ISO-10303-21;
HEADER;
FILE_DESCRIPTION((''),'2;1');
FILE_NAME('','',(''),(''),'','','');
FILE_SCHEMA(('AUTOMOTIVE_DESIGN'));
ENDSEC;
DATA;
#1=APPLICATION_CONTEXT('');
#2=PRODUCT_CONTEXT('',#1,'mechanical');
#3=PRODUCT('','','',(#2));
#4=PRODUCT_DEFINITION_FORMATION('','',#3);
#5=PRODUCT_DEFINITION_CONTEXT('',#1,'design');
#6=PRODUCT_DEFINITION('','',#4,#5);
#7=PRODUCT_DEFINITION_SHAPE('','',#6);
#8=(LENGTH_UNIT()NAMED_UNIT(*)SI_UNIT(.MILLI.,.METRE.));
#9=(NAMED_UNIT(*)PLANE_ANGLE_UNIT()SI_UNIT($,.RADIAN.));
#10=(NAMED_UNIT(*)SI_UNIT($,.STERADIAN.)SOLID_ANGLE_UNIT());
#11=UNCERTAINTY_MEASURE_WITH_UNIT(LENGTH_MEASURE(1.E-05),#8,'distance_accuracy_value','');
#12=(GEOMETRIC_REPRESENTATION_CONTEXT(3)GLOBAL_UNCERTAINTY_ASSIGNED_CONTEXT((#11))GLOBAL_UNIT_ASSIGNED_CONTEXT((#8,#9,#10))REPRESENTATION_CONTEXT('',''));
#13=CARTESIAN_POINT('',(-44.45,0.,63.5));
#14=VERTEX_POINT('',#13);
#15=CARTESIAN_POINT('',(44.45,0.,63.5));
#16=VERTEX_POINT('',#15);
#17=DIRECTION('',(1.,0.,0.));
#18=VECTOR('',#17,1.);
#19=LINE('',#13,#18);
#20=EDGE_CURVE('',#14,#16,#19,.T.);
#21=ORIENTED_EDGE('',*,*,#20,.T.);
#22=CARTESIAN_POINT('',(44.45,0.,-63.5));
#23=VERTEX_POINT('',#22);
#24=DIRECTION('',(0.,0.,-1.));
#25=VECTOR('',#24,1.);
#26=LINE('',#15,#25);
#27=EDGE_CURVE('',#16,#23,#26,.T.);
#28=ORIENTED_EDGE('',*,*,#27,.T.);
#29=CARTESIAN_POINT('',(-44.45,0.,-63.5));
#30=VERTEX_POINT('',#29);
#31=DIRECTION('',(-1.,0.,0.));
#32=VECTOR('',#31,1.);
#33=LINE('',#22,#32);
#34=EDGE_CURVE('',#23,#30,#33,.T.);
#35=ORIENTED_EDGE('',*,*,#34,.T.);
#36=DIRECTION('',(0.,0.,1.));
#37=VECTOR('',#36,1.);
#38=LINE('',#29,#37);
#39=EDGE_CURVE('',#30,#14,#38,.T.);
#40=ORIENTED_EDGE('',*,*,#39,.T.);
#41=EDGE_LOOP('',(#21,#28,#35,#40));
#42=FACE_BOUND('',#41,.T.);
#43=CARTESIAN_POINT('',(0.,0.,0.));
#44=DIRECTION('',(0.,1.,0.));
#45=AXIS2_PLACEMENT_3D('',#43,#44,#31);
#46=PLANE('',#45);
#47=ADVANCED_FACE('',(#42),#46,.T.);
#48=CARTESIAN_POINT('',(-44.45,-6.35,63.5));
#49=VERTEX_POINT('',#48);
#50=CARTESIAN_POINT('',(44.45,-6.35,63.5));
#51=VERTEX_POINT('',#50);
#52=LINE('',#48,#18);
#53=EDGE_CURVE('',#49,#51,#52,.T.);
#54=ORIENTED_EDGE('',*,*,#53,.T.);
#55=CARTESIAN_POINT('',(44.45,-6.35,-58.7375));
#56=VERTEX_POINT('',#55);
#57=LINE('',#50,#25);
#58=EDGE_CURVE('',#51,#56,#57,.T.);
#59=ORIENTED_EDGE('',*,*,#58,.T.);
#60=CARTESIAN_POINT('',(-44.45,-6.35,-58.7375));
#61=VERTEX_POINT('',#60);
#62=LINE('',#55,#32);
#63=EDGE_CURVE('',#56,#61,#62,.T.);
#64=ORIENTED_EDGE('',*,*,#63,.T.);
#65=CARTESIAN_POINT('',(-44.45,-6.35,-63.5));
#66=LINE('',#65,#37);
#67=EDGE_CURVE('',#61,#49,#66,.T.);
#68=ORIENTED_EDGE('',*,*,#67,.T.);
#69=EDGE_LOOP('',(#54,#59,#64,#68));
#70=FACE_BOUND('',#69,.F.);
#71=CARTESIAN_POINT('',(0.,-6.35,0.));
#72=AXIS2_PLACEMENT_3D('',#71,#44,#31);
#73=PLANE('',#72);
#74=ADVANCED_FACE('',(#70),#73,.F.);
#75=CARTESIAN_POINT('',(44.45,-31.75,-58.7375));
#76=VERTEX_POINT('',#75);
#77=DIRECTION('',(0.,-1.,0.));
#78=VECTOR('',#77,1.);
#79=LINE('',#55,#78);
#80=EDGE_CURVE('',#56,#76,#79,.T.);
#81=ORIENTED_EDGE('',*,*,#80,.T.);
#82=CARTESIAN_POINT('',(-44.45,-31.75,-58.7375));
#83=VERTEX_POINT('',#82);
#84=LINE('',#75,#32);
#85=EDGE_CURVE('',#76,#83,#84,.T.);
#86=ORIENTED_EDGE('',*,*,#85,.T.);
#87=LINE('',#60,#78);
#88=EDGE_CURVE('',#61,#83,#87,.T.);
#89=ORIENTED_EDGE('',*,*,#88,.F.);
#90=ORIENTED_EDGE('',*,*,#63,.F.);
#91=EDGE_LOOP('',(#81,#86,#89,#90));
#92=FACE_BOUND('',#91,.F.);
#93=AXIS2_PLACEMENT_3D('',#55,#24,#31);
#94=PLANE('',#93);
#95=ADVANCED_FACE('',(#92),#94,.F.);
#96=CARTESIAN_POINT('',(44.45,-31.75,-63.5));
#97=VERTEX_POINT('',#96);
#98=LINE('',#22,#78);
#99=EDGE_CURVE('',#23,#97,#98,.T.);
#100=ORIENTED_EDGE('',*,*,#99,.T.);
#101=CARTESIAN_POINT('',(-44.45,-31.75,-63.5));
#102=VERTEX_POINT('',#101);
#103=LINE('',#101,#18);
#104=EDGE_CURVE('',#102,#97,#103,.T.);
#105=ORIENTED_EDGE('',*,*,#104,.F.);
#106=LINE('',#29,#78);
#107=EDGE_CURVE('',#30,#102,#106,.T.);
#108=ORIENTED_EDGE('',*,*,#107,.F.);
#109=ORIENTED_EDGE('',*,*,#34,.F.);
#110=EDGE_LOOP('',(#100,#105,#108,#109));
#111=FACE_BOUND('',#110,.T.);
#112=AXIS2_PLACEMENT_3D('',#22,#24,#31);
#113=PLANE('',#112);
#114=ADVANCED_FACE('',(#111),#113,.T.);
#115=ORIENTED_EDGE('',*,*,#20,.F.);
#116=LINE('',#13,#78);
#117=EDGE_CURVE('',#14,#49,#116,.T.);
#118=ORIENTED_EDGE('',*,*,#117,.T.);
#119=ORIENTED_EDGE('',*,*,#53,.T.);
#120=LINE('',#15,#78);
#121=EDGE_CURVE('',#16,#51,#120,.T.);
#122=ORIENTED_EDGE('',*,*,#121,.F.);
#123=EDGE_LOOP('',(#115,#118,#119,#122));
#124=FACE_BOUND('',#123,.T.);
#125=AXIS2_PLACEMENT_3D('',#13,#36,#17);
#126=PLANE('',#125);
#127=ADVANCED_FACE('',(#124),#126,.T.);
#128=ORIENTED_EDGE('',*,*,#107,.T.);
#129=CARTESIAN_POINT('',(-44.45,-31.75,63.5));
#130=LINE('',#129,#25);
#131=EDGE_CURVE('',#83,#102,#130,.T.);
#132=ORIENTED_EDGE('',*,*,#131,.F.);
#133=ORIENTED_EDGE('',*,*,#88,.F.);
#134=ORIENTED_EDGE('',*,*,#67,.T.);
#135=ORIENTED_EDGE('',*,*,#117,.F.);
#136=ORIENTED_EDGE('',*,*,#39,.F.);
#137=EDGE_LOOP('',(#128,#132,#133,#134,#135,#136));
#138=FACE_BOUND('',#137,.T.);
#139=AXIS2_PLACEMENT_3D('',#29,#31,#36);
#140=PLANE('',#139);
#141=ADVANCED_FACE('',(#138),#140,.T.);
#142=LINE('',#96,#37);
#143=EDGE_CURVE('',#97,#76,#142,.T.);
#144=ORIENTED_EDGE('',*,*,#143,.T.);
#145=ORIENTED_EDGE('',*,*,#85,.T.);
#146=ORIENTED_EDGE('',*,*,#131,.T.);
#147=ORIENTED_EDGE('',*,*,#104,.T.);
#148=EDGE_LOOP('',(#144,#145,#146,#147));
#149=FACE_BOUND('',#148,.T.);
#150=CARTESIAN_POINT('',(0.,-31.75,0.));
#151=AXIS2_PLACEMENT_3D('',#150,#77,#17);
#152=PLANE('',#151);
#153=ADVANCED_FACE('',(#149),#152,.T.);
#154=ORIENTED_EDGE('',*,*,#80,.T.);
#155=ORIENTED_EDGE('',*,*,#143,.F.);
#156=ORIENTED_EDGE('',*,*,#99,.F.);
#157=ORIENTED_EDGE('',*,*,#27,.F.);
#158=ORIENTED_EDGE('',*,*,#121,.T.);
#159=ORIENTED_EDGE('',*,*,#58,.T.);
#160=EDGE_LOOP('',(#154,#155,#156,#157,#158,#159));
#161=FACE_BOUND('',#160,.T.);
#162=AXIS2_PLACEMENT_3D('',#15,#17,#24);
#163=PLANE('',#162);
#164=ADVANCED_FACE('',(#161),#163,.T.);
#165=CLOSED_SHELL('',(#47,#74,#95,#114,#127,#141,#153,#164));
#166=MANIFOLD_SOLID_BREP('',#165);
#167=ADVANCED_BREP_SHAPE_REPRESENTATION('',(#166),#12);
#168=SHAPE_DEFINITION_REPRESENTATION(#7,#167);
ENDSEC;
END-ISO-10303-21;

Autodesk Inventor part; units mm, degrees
ref_plane "YZ Plane" through (0, 0, 0) normal (1, 0, 0) x (0, 1, 0)
ref_plane "XZ Plane" through (0, 0, 0) normal (0, 1, 0) x (-1, 0, 0)
ref_plane "XY Plane" through (0, 0, 0) normal (0, 0, 1) x (1, 0, 0)
sketch "Sketch2" plane through (0, 0, 0) normal (0, 1, 0) x (-1, 0, 0)
  line L0 (44.45, 63.5) -> (-44.45, 63.5)
  line L1 (-44.45, 63.5) -> (-44.45, -63.5)
  line L2 (-44.45, -63.5) -> (44.45, -63.5)
  line L3 (44.45, -63.5) -> (44.45, 63.5)
  line L4 (44.45, 63.5) -> (-44.45, -63.5) construction
  line L5 (-44.45, 63.5) -> (44.45, -63.5) construction
  point P0 (0, 0)
  dimension "d0" = 127
  dimension "d1" = 88.9
extrude "Extrusion1" add sketch "Sketch2" against normal blind 6.35
sketch "Sketch9" plane through (0, -6.35, 0) normal (0, -1, 0) x (1, 0, 0)
  line L0 (-44.45, 63.5) -> (-44.45, -63.5) projected
  line L1 (44.45, -63.5) -> (44.45, 63.5) projected
  line L2 (-44.45, -63.5) -> (44.45, -63.5)
  line L3 (44.45, -63.5) -> (44.45, -58.7375)
  line L4 (44.45, -58.7375) -> (-44.45, -58.7375)
  line L5 (-44.45, -58.7375) -> (-44.45, -63.5)
  point P0 (0, 0)
  dimension "d35" = 4.7625
extrude "Extrusion5" add sketch "Sketch9" along normal blind 25.4
sketch "Sketch4" plane through (0, 0, 0) normal (0, 1, 0) x (1, 0, 0)
  line L0 (-44.45, -63.5) -> (-44.45, 63.5) projected
  line L1 (44.45, 63.5) -> (44.45, -63.5) projected
  line L2 (-44.45, 63.5) -> (44.45, 63.5)
  line L3 (44.45, 63.5) -> (44.45, 58.7375)
  line L4 (44.45, 58.7375) -> (-44.45, 58.7375)
  line L5 (-44.45, 58.7375) -> (-44.45, 63.5)
  point P0 (0, 0)
  point P1 (-44.45, 58.7375)
  dimension "d4" = 4.7625
sketch "Sketch5" plane through (0, 0, 0) normal (0, 1, 0) x (1, 0, 0)
  line L0 (44.45, -63.5) -> (-44.45, -63.5) projected
  line L1 (-44.45, 58.7375) -> (44.45, 58.7375) projected
  line L2 (-44.45, -63.5) -> (-39.6875, -63.5)
  line L3 (-39.6875, -63.5) -> (-39.6875, 58.7375)
  line L4 (-39.6875, 58.7375) -> (-44.45, 58.7375)
  line L5 (-44.45, 58.7375) -> (-44.45, -63.5)
  line L6 (44.45, 63.5) -> (44.45, -63.5) projected
  line L7 (44.45, -63.5) -> (39.6875, -63.5)
  line L8 (39.6875, -63.5) -> (39.6875, 58.7375)
  line L9 (39.6875, 58.7375) -> (44.45, 58.7375)
  line L10 (44.45, 58.7375) -> (44.45, -63.5)
  point P0 (0, 0)
  point P1 (39.6875, -63.5)
  point P2 (-44.45, 58.7375)
  dimension "d7" = 4.7625
  dimension "d8" = 4.7625
sketch "Sketch6" plane through (0, 0, 0) normal (0, 1, 0) x (1, 0, 0)
  line L0 (-39.6875, -63.5) -> (39.6875, -63.5) projected
  line L1 (-39.6875, 58.7375) -> (39.6875, 58.7375) projected
  line L2 (-22.225, -63.5) -> (-19.05, -63.5)
  line L3 (-19.05, -63.5) -> (-19.05, 58.7375)
  line L4 (-19.05, 58.7375) -> (-22.225, 58.7375)
  line L5 (-22.225, 58.7375) -> (-22.225, -63.5)
  line L6 (-1.5875, -63.5) -> (1.5875, -63.5)
  line L7 (1.5875, -63.5) -> (1.5875, 58.7375)
  line L8 (1.5875, 58.7375) -> (-1.5875, 58.7375)
  line L9 (-1.5875, 58.7375) -> (-1.5875, -63.5)
  line L10 (19.05, -63.5) -> (22.225, -63.5)
  line L11 (22.225, -63.5) -> (22.225, 58.7375)
  line L12 (22.225, 58.7375) -> (19.05, 58.7375)
  line L13 (19.05, 58.7375) -> (19.05, -63.5)
  line L14 (-39.6875, -63.5) -> (-39.6875, 58.7375) projected
  line L15 (39.6875, 58.7375) -> (39.6875, -63.5) projected
  point P0 (0, 0)
  point P1 (19.05, -63.5)
  point P2 (22.225, -63.5)
  point P3 (22.225, 58.7375)
  point P4 (-1.5875, 58.7375)
  point P5 (-1.5875, -63.5)
  dimension "d11" = 3.175
  dimension "d12" = 3.175
  dimension "d13" = 3.175
  dimension "d14" = 17.4625
  dimension "d15" = 17.4625
  dimension "d16" = 17.4625
  dimension "d17" = 17.4625
sketch "Sketch7" plane through (-39.6875, 0, -58.7375) normal (0, 0, 1) x (1, 0, 0)
  line L0 (0, 76.2) -> (0, 0) construction
  line L1 (0, 38.1) -> (79.375, 38.1) construction
  line L2 (79.375, 0) -> (79.375, 76.2) construction
  line L3 (39.6875, 38.1) -> (39.6875, 76.2) construction
  line L4 (84.1375, 76.2) -> (-4.7625, 76.2) construction
  point P0 (39.6875, 0)
  point P1 (8.7313, 38.1)
  point P2 (70.6437, 38.1)
  dimension "d18" = 8.7312
equation "\"d0\" = depth"
equation "\"d1\" = width"
equation "\"d2\" = baseThickness"
equation "\"d35\" = backThickness"
equation "\"d36\" = backDepth"
equation "\"d4\" = backThickness"
equation "\"d7\" = edgeThickness"
equation "\"d8\" = edgeThickness"
equation "\"d11\" = dividerThickness"
equation "\"d12\" = dividerThickness"
equation "\"d13\" = dividerThickness"
equation "\"d14\" = dividerGap"
equation "\"d15\" = dividerGap"
equation "\"d16\" = dividerGap"
equation "\"d18\" = 0.5 * dividerGap"
equation "\"baseThickness\" = 6.35"
equation "\"width\" = 88.9"
equation "\"depth\" = 127"
equation "\"backHeight\" = 76.2"
equation "\"backThickness\" = 4.7625"
equation "\"edgeThickness\" = 4.7625"
equation "\"edgeHeight\" = 76.2"
equation "\"dividerThickness\" = 3.175"
equation "\"dividerHeight\" = 50.8"
equation "\"backDepth\" = 25.4"
equation "\"dividerGap\" = 17.4625"
properties part number "shelfForElectronicsV02"
